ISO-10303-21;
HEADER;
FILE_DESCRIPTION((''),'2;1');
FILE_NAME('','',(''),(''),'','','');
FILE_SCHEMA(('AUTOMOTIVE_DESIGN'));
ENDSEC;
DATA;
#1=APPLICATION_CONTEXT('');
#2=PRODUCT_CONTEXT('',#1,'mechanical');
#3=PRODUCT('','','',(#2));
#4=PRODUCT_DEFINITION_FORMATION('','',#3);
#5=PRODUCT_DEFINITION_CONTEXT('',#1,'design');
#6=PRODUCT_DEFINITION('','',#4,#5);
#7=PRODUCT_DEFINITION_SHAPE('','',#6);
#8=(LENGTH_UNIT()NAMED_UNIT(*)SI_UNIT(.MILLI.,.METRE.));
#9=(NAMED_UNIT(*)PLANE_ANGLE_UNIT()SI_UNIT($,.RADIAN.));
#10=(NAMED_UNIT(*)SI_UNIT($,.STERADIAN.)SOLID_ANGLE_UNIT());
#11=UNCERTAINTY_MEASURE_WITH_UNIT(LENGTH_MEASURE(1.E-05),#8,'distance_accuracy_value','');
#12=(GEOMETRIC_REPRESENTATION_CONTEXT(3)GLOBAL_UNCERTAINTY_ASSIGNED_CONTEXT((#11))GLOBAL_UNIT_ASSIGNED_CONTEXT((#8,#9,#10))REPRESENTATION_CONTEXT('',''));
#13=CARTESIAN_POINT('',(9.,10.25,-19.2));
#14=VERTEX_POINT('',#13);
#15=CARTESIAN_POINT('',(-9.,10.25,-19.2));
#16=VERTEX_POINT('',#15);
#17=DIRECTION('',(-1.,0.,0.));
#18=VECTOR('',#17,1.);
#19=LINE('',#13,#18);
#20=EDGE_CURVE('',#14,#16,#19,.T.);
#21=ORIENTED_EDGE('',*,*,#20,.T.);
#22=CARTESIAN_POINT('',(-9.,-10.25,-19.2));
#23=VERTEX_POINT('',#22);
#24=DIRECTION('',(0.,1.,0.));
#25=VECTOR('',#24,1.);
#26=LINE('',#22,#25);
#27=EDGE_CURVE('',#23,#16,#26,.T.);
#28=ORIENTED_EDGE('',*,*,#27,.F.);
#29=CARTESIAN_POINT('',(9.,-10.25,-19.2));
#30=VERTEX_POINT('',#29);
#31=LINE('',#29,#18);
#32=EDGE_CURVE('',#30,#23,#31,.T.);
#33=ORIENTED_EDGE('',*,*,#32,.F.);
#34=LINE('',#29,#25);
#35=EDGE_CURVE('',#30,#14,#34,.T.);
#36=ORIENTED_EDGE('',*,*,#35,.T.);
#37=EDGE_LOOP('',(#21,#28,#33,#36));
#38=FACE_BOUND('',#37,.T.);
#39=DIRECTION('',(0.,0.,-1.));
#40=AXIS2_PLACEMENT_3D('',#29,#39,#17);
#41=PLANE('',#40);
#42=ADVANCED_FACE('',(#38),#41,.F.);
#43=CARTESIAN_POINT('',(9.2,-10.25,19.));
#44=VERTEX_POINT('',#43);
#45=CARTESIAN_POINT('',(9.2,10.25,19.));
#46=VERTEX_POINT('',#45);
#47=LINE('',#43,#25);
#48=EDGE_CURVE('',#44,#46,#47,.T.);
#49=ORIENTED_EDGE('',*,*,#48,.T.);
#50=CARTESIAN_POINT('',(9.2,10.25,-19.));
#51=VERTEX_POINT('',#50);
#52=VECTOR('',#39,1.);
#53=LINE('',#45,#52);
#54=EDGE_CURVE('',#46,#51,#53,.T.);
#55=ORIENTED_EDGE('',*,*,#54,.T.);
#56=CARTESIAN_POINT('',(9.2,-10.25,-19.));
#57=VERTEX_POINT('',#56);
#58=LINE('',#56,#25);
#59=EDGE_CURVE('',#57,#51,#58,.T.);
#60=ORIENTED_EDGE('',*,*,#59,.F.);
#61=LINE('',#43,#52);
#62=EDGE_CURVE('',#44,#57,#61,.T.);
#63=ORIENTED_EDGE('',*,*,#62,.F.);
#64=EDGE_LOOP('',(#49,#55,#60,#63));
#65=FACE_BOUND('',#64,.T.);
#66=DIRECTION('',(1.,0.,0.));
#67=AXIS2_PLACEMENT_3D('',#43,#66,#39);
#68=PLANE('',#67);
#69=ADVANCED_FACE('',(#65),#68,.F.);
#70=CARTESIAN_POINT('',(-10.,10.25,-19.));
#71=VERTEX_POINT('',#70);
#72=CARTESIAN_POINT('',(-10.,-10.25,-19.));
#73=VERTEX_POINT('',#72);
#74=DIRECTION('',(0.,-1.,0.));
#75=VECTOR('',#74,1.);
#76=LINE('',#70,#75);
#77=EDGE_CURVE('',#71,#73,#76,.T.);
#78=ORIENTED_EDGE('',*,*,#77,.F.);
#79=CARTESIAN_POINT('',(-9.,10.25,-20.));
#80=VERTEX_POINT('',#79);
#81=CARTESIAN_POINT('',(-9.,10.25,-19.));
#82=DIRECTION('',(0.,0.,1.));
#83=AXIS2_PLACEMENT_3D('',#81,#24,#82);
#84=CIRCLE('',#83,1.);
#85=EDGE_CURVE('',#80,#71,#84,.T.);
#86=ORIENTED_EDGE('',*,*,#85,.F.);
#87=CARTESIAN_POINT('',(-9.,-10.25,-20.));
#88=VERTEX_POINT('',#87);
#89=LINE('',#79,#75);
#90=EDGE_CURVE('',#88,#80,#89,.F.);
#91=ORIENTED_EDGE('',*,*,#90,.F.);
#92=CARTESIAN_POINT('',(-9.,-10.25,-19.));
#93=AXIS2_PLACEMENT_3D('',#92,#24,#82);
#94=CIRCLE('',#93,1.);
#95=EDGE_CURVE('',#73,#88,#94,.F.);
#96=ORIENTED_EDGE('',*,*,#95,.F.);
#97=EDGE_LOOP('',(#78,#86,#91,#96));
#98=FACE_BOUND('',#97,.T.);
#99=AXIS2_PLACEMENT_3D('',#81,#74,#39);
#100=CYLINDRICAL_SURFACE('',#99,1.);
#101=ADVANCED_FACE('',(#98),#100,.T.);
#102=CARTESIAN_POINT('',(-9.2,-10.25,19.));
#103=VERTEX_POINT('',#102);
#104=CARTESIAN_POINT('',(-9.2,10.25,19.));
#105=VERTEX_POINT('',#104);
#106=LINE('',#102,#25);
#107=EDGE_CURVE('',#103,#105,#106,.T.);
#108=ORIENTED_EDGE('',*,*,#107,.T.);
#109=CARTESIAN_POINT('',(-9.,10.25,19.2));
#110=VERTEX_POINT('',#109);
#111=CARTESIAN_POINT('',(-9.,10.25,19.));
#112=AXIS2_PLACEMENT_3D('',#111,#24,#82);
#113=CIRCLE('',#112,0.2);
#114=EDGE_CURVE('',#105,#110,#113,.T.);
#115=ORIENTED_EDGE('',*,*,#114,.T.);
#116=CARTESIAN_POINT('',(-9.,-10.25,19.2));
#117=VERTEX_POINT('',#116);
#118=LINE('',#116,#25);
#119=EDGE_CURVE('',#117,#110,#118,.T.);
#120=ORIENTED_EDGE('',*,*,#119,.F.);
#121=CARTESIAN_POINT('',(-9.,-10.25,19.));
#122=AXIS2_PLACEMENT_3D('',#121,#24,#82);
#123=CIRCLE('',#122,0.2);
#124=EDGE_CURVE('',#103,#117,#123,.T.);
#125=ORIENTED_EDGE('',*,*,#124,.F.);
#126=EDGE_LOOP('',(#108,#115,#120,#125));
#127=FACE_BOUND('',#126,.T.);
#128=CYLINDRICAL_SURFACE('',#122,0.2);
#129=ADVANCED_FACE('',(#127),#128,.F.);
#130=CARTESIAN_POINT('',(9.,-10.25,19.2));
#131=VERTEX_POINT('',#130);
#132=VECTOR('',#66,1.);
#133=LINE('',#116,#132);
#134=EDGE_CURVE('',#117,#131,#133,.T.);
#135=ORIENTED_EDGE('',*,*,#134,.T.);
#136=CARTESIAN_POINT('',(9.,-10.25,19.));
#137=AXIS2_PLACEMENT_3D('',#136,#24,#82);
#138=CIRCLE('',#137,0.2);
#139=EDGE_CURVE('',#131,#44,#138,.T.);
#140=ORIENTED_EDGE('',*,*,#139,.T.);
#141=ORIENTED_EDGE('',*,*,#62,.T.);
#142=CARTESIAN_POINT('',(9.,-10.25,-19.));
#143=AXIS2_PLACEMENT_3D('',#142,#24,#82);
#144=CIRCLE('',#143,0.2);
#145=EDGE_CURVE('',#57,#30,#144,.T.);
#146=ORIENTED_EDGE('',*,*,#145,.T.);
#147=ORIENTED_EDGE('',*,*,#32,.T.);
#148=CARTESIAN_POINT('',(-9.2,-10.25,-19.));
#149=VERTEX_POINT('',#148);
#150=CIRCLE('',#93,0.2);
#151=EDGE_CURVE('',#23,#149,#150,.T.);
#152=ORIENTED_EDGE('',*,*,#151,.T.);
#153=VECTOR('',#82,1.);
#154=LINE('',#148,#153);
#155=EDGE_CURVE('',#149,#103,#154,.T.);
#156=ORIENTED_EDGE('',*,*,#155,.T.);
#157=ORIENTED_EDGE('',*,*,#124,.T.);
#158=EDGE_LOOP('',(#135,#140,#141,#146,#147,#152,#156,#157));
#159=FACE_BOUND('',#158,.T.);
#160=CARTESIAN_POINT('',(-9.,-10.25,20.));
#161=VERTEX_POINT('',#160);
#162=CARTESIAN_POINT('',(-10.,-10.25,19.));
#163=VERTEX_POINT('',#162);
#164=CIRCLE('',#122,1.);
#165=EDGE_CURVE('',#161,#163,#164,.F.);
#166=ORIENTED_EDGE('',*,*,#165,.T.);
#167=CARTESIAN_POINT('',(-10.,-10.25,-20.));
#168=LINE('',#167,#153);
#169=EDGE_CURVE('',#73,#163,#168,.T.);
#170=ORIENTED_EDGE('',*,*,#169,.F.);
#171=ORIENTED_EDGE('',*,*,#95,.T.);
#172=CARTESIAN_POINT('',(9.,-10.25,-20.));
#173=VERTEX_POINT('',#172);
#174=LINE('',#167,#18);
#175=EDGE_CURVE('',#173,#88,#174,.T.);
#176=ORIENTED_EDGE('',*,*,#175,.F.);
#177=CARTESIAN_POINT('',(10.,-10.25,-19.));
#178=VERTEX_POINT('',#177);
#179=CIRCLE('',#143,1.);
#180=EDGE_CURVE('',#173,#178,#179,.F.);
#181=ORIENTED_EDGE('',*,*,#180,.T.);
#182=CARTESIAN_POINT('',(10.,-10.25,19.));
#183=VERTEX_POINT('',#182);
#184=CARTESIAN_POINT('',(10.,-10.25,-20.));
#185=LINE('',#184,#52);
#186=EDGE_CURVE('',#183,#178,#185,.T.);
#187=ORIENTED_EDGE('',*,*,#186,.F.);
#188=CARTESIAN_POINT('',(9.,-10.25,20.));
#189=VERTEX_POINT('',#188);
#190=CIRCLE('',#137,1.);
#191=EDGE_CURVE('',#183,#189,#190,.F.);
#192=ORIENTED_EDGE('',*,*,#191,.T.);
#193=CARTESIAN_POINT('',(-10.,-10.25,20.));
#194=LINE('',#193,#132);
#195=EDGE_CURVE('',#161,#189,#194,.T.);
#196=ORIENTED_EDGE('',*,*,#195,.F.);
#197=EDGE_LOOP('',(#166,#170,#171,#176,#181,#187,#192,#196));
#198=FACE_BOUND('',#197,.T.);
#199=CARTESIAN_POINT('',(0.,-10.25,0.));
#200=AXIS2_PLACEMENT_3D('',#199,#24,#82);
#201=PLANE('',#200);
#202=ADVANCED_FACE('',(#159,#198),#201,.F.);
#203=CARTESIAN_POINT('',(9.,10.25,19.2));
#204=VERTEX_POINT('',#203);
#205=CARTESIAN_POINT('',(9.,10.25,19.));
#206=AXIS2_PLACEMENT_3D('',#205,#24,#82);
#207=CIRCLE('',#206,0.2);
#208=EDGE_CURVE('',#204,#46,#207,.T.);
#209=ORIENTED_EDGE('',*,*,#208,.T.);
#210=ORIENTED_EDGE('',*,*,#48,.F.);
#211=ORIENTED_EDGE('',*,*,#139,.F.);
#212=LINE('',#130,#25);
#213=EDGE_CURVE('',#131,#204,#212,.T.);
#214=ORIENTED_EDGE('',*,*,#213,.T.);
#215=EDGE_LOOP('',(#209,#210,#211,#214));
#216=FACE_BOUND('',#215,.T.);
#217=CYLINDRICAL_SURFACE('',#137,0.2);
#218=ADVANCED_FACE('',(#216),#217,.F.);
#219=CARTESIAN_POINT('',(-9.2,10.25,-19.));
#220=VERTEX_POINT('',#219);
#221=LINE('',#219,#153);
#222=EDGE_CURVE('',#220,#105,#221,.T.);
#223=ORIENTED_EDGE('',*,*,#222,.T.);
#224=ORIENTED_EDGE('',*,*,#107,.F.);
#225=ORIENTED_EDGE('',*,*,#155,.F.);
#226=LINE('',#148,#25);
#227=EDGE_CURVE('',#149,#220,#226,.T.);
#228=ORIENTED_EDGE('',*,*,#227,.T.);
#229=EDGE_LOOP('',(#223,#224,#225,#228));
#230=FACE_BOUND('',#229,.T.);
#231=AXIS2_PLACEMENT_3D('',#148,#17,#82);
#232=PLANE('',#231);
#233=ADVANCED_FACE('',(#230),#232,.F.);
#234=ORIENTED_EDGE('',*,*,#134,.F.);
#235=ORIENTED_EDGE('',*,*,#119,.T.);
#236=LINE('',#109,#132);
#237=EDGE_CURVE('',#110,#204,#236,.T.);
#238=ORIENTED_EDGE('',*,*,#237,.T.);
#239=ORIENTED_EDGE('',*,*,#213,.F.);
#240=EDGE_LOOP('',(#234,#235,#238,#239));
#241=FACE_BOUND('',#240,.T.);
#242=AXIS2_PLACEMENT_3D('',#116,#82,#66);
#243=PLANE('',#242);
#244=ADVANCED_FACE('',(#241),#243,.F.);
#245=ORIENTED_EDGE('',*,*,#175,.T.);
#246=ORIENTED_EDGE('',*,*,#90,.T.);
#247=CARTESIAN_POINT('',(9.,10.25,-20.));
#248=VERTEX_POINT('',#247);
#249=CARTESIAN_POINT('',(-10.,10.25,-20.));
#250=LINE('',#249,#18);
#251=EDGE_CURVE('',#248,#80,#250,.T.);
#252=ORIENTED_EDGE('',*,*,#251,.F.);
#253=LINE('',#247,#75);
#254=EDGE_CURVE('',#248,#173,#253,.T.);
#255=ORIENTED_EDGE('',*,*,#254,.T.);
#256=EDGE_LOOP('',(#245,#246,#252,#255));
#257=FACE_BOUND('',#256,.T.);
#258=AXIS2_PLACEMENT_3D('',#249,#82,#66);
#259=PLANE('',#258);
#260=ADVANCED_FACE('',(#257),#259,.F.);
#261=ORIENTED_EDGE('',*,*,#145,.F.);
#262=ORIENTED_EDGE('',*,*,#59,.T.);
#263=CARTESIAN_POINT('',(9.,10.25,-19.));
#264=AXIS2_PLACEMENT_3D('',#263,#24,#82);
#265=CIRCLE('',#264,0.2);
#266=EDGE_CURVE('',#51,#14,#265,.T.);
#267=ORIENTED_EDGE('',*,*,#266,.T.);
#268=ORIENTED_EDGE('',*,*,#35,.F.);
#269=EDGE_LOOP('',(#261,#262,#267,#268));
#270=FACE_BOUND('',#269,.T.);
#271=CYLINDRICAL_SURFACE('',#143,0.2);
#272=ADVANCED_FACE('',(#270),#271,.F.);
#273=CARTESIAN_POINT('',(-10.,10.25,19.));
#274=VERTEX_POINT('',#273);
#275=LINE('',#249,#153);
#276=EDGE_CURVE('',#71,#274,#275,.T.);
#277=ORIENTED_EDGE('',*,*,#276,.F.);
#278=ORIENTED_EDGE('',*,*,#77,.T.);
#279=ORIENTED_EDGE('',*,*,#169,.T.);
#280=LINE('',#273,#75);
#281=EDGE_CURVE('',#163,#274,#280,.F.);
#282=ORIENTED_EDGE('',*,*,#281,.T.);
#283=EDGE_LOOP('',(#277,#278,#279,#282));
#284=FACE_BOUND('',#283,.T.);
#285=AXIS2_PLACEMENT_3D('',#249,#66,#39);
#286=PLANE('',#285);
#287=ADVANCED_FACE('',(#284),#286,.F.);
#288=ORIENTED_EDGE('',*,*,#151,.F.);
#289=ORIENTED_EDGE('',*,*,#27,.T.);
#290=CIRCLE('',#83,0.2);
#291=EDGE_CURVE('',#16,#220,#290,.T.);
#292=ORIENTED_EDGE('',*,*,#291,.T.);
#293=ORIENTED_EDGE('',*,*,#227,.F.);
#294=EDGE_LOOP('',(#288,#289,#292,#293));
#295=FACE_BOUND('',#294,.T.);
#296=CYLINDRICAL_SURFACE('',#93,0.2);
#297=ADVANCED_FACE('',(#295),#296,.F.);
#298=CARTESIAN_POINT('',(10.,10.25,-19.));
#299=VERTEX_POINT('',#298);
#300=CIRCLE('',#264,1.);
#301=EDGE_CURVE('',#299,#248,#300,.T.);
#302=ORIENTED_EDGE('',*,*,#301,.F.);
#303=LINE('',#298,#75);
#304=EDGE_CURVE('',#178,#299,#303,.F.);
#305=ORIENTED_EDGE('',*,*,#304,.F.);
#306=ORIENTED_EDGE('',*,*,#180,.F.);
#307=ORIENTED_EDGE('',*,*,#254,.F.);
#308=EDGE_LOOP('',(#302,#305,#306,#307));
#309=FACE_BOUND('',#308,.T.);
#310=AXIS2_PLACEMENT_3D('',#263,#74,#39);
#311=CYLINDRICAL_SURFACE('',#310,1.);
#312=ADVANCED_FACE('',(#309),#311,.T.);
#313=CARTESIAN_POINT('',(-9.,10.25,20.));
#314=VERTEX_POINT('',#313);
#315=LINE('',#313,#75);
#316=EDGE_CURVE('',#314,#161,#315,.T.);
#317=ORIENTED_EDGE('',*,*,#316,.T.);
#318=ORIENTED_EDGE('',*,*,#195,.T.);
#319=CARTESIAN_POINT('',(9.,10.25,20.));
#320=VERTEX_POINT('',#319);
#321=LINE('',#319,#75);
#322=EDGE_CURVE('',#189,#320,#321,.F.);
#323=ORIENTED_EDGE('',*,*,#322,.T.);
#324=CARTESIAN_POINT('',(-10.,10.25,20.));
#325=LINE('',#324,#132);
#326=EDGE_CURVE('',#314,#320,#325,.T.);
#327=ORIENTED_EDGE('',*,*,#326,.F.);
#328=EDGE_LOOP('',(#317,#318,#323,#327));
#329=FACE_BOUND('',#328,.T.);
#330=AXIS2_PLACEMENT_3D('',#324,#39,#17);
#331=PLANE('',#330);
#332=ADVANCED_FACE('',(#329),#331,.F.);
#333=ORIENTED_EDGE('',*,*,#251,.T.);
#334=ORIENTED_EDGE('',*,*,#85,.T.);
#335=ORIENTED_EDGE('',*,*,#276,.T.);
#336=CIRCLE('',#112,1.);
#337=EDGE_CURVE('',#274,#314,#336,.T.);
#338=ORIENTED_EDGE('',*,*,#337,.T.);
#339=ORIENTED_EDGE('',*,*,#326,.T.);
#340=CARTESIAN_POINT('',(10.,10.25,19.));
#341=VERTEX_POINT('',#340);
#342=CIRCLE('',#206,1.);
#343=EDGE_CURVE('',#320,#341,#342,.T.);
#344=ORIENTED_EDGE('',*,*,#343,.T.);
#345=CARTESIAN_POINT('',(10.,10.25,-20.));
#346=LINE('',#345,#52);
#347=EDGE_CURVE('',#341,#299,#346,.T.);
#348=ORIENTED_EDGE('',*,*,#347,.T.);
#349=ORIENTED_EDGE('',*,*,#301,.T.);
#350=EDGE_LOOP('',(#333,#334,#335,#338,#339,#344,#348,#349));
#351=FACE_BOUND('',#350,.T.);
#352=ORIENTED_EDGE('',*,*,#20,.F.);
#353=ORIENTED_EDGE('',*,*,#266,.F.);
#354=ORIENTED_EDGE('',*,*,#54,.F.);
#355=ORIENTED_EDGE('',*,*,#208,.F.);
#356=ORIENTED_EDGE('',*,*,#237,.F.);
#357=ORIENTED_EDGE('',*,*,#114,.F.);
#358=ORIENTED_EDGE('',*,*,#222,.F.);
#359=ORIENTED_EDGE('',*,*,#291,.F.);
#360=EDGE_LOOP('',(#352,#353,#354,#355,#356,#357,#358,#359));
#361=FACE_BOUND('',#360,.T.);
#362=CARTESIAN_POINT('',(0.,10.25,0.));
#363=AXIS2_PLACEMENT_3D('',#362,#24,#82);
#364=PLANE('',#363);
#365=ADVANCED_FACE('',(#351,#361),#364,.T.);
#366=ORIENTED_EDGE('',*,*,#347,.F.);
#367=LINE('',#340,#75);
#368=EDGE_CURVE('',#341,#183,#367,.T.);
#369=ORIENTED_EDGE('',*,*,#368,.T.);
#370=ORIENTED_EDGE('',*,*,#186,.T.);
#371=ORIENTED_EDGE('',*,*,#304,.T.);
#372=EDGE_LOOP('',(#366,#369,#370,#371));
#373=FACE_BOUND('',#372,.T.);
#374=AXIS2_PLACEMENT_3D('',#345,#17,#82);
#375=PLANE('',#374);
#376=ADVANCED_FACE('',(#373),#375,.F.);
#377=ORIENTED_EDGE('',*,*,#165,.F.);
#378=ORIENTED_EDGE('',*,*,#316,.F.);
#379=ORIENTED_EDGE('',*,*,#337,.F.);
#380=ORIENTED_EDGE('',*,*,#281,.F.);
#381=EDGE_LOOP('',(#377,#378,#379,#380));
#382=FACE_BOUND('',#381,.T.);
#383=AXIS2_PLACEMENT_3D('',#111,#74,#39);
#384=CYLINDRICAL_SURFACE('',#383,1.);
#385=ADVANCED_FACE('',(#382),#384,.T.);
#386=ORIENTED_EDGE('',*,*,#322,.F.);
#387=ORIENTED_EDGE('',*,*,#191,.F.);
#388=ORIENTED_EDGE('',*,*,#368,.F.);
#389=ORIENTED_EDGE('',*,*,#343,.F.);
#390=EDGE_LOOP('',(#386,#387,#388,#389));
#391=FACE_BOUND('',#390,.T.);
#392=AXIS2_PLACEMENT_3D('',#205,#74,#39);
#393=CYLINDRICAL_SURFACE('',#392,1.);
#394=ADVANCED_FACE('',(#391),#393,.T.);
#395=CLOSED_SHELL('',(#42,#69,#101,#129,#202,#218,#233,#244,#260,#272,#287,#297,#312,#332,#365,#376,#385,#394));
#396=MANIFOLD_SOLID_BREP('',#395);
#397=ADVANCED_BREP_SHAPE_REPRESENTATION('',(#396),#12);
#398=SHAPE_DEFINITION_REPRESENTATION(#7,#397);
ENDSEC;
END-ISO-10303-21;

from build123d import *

# Parameters (mm, degrees)
BASES_W            = 20
BASES_H            = 40
BASE_DEPTH         = 10.25
BASE_F_R           = 1
CUT_EXTRUDE3_DEPTH = 31.335622624


with BuildPart() as part:
    # BaseS → BASE (new, symmetric)
    with BuildSketch(Plane(origin=(0, 0, 0), x_dir=(1, 0, 0), z_dir=(0, 1, 0))):
        Rectangle(BASES_W, BASES_H)
    extrude(amount=BASE_DEPTH, both=True)

    # BASE F
    base_f_edges = [part.edges().sort_by_distance(p)[0] for p in [
        (10, 0, 20),
        (-10, 0, 20),
        (-10, 0, -20),
        (10, 0, -20),
    ]]
    fillet(base_f_edges, radius=BASE_F_R)

    # PocketS → Cut-Extrude3 (cut, through all)
    with BuildSketch(Plane(origin=(0, 10.25, 0), x_dir=(1, 0, 0), z_dir=(0, 1, 0))):
        with BuildLine():
            Line((9, 19.2), (-9, 19.2))
            ThreePointArc((-9, 19.2), (-9.141421356, 19.141421356), (-9.2, 19))
            Line((-9.2, 19), (-9.2, -19))
            ThreePointArc((-9.2, -19), (-9.141421356, -19.141421356), (-9, -19.2))
            Line((-9, -19.2), (9, -19.2))
            ThreePointArc((9, -19.2), (9.141421356, -19.141421356), (9.2, -19))
            Line((9.2, -19), (9.2, 19))
            ThreePointArc((9.2, 19), (9.141421356, 19.141421356), (9, 19.2))
        make_face()
    extrude(amount=-CUT_EXTRUDE3_DEPTH, mode=Mode.SUBTRACT)


solid = part.part
